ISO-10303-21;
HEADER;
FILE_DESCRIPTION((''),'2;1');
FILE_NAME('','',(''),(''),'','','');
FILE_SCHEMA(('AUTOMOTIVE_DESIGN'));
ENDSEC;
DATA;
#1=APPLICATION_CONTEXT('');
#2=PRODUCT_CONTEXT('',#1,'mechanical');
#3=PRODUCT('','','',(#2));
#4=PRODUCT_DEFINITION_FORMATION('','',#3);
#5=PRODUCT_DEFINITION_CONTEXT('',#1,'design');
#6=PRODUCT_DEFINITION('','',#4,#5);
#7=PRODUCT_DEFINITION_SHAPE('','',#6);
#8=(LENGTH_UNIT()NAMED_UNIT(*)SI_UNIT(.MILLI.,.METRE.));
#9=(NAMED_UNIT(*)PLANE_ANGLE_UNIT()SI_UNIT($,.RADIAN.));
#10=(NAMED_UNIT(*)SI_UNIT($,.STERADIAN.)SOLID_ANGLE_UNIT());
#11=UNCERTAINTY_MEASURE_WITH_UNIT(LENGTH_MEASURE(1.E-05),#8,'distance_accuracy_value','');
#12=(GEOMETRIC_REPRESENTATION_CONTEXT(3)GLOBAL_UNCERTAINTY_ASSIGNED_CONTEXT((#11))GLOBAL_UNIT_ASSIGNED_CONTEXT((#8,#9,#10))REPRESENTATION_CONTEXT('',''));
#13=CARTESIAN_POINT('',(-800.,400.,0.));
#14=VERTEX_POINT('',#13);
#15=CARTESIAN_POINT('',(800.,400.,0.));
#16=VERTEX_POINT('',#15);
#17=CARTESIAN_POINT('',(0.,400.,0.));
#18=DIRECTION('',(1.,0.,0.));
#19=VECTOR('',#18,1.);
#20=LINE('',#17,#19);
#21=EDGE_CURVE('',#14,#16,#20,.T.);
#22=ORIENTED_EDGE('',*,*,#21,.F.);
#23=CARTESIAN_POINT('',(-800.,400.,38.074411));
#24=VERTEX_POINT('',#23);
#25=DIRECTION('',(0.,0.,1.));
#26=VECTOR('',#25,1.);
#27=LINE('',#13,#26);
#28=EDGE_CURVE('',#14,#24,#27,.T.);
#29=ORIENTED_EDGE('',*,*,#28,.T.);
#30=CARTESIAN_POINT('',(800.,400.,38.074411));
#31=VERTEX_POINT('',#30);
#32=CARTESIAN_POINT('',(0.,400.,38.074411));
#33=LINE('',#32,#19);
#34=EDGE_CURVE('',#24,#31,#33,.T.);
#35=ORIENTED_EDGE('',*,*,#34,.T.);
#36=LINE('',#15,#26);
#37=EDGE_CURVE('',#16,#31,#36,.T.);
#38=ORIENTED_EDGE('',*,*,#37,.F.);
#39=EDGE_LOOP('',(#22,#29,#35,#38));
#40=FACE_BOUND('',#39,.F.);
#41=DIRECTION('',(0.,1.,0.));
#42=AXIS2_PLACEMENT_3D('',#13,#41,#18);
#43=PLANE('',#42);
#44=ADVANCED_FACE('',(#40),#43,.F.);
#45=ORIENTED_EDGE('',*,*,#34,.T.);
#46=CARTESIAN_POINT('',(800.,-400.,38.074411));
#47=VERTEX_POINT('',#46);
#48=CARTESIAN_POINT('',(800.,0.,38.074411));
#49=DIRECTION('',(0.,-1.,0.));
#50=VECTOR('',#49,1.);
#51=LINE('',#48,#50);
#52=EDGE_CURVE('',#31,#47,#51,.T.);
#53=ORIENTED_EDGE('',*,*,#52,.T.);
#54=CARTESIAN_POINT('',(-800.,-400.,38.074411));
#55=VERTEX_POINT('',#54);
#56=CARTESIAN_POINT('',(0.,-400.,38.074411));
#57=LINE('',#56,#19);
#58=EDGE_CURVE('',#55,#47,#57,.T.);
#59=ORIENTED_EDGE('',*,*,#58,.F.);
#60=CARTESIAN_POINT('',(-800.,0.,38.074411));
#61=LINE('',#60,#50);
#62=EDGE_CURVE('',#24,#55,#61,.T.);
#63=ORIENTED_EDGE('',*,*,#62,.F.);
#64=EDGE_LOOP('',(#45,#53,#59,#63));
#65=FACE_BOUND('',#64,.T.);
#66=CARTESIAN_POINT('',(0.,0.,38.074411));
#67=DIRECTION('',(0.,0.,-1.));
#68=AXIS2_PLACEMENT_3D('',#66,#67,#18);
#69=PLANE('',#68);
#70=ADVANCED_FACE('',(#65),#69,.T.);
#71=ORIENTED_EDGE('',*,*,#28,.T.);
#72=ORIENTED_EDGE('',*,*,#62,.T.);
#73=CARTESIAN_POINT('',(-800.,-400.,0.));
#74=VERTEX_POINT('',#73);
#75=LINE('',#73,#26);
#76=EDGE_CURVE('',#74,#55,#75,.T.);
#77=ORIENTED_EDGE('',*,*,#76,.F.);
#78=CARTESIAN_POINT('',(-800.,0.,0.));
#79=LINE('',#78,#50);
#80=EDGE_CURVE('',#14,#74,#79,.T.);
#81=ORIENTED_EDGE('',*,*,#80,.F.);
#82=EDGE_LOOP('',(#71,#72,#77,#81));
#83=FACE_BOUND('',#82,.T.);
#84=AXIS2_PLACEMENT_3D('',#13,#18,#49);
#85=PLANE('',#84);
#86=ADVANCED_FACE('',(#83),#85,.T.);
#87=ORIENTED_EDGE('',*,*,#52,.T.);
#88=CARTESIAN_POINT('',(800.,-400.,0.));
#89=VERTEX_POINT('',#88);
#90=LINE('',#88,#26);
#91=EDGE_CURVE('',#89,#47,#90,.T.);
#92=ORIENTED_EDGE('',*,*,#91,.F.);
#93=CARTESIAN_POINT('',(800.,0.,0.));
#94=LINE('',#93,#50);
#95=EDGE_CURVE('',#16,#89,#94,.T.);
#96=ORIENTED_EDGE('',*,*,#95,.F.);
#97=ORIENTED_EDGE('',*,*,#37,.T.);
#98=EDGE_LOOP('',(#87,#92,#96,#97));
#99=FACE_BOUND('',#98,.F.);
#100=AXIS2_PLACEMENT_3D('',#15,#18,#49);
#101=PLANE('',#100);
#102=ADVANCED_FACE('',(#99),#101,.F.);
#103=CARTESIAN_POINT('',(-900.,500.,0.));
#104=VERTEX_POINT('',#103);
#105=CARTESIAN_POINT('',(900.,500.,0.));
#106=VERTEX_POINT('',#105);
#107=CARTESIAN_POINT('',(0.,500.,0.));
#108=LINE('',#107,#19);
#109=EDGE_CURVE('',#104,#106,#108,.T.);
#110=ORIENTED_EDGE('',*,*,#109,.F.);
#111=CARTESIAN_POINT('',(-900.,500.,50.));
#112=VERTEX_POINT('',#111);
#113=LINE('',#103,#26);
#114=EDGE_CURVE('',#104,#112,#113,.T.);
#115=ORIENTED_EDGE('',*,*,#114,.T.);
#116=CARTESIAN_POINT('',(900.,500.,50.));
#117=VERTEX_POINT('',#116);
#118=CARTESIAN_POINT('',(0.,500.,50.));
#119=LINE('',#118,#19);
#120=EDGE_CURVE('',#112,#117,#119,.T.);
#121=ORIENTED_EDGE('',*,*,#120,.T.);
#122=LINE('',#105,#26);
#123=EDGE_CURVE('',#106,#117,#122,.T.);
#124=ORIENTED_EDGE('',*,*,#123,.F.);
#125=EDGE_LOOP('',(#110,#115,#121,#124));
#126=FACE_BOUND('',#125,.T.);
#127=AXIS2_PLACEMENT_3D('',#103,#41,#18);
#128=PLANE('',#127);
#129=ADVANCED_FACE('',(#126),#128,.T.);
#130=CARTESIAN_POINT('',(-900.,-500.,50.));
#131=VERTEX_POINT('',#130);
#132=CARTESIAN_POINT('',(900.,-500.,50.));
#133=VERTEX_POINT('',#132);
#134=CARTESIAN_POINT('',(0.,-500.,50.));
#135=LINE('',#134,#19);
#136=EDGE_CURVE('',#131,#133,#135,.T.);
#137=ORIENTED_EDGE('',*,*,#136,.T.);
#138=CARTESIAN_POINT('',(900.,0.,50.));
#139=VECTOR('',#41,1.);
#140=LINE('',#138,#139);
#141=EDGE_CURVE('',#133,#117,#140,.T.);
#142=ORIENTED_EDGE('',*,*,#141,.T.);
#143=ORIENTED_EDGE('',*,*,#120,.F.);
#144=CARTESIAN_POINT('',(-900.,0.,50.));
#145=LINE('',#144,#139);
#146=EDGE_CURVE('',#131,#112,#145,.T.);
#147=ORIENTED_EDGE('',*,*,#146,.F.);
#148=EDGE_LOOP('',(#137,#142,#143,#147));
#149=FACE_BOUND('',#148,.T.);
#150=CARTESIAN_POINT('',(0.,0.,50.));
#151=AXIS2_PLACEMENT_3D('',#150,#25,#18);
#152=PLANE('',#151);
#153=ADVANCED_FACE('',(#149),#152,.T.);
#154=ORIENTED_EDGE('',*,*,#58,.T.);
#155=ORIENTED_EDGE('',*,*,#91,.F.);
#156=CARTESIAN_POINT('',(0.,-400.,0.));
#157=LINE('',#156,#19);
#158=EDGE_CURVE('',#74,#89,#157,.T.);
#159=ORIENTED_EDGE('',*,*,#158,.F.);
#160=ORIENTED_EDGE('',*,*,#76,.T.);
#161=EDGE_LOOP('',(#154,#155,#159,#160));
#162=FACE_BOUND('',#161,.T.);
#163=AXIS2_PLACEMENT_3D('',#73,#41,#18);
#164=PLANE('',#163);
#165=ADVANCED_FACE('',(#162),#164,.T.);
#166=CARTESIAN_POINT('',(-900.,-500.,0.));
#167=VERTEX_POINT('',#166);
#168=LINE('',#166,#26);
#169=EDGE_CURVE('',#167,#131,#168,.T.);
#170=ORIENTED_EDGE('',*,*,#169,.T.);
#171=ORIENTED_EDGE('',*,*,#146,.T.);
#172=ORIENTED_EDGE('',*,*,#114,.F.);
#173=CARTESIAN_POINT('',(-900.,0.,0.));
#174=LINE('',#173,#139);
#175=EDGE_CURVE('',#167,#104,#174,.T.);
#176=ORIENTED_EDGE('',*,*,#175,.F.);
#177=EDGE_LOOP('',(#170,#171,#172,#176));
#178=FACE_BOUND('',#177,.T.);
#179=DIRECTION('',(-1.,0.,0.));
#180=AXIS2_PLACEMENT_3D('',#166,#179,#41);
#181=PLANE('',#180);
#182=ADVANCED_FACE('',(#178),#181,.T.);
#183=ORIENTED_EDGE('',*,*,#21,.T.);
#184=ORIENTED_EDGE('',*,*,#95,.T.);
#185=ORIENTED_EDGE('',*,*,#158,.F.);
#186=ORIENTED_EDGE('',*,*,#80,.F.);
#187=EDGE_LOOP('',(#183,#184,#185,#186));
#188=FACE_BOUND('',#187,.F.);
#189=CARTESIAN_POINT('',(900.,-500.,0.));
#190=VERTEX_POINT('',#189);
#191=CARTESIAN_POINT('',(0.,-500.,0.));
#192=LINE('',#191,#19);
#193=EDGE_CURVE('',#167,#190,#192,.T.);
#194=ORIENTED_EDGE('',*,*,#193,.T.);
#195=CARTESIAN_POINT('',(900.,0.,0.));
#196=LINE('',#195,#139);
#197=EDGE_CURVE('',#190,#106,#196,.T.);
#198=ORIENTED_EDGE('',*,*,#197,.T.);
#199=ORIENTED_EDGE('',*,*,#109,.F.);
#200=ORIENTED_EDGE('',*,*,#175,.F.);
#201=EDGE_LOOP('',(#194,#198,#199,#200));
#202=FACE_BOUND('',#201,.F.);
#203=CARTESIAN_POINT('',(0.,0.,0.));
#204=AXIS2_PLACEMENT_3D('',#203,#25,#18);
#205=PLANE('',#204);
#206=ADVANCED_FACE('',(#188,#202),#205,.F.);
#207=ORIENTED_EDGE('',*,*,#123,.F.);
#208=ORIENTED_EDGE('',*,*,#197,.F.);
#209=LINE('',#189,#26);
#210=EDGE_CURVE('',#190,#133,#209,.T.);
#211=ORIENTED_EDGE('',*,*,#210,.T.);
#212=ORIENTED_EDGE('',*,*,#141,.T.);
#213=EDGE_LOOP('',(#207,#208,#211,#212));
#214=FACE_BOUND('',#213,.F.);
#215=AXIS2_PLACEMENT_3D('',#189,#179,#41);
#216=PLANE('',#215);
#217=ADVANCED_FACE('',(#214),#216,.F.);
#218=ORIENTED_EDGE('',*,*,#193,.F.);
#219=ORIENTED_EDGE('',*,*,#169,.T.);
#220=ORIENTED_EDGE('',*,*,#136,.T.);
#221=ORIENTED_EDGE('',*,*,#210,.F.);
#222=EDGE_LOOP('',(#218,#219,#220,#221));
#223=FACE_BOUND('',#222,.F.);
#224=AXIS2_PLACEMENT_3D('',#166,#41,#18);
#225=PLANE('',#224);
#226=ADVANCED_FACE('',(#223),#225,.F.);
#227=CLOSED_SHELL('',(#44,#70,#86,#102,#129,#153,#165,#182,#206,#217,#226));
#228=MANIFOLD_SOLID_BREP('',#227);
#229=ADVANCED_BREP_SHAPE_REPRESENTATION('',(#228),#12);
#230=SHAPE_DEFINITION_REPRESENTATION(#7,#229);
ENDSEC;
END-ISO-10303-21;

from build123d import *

# Parameters (mm, degrees)
F0_W     = 1800
F0_H     = 1000
F1_DEPTH = 50
F2_W     = 1600
F2_H     = 800
F3_DEPTH = 38.074411


with BuildPart() as f1:
    # F0 (on Top) → F1 (new body)
    with BuildSketch(Plane.XY):
        Rectangle(F0_W, F0_H)
    extrude(amount=F1_DEPTH)

    # F2 (on face) → F3 (cut)
    with BuildSketch(Plane(origin=(0, 0, 0), x_dir=(1, 0, 0), z_dir=(0, 0, -1))):
        Rectangle(F2_W, F2_H)
    extrude(amount=-F3_DEPTH, mode=Mode.SUBTRACT)


solid = f1.part
